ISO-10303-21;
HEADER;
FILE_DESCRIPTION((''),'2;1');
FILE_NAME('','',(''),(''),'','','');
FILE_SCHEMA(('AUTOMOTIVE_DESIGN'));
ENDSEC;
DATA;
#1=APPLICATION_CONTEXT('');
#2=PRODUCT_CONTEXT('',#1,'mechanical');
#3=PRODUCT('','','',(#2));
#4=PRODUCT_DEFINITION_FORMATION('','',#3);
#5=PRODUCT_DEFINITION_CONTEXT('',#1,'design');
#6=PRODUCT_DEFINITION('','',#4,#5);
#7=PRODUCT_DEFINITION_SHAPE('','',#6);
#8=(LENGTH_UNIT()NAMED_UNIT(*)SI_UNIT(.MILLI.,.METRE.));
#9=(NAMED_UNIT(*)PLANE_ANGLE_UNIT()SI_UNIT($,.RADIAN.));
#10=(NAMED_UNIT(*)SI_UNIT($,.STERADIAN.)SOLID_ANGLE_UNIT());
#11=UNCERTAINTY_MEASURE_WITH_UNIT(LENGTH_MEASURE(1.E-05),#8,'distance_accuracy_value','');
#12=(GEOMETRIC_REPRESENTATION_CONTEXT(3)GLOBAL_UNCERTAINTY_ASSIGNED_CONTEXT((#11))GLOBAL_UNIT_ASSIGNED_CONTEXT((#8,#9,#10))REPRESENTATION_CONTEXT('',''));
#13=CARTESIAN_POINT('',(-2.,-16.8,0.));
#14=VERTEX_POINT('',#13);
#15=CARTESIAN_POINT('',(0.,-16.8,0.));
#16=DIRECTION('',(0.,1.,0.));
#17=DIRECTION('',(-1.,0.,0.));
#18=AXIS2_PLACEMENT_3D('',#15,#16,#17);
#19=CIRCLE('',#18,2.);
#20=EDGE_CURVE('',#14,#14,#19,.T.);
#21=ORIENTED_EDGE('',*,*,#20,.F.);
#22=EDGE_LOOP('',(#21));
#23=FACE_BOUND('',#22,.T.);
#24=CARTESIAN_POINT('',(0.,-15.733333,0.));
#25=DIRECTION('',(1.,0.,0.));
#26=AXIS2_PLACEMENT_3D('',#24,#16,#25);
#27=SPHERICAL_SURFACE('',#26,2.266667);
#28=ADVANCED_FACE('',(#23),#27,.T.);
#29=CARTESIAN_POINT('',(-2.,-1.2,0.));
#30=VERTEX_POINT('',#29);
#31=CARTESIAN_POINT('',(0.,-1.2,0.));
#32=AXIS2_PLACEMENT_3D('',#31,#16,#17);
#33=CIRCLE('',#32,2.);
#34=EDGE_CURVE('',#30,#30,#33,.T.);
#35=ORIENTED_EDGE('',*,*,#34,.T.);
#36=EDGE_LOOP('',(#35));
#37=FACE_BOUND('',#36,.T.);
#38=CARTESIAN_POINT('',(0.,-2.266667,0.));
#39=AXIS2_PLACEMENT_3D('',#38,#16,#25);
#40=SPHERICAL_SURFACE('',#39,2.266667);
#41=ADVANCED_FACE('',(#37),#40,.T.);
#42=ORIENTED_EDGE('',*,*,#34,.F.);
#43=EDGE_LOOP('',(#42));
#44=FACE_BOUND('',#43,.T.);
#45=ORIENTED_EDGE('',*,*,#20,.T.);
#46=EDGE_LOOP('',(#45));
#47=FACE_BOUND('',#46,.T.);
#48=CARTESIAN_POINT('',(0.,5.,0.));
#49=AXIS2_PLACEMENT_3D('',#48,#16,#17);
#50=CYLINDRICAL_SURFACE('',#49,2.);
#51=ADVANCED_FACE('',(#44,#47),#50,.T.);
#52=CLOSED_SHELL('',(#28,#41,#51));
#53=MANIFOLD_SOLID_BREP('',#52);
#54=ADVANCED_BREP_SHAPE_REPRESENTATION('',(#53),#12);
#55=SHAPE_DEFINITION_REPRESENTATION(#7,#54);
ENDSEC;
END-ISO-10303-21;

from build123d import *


with BuildPart() as part:
    # Sketch1 → Revolve1 (revolve)
    with BuildSketch(Plane.XY):
        with BuildLine():
            Line((2, -1.2), (2, -16.8))
            ThreePointArc((2, -16.8), (1.166190379, -17.676983965), (0, -18))
            Line((0, -18), (0, 0))
            ThreePointArc((0, 0), (1.166190379, -0.323016035), (2, -1.2))
        make_face()
    revolve(axis=Axis((0, 5, 0), (0, -1, 0)))


solid = part.part
